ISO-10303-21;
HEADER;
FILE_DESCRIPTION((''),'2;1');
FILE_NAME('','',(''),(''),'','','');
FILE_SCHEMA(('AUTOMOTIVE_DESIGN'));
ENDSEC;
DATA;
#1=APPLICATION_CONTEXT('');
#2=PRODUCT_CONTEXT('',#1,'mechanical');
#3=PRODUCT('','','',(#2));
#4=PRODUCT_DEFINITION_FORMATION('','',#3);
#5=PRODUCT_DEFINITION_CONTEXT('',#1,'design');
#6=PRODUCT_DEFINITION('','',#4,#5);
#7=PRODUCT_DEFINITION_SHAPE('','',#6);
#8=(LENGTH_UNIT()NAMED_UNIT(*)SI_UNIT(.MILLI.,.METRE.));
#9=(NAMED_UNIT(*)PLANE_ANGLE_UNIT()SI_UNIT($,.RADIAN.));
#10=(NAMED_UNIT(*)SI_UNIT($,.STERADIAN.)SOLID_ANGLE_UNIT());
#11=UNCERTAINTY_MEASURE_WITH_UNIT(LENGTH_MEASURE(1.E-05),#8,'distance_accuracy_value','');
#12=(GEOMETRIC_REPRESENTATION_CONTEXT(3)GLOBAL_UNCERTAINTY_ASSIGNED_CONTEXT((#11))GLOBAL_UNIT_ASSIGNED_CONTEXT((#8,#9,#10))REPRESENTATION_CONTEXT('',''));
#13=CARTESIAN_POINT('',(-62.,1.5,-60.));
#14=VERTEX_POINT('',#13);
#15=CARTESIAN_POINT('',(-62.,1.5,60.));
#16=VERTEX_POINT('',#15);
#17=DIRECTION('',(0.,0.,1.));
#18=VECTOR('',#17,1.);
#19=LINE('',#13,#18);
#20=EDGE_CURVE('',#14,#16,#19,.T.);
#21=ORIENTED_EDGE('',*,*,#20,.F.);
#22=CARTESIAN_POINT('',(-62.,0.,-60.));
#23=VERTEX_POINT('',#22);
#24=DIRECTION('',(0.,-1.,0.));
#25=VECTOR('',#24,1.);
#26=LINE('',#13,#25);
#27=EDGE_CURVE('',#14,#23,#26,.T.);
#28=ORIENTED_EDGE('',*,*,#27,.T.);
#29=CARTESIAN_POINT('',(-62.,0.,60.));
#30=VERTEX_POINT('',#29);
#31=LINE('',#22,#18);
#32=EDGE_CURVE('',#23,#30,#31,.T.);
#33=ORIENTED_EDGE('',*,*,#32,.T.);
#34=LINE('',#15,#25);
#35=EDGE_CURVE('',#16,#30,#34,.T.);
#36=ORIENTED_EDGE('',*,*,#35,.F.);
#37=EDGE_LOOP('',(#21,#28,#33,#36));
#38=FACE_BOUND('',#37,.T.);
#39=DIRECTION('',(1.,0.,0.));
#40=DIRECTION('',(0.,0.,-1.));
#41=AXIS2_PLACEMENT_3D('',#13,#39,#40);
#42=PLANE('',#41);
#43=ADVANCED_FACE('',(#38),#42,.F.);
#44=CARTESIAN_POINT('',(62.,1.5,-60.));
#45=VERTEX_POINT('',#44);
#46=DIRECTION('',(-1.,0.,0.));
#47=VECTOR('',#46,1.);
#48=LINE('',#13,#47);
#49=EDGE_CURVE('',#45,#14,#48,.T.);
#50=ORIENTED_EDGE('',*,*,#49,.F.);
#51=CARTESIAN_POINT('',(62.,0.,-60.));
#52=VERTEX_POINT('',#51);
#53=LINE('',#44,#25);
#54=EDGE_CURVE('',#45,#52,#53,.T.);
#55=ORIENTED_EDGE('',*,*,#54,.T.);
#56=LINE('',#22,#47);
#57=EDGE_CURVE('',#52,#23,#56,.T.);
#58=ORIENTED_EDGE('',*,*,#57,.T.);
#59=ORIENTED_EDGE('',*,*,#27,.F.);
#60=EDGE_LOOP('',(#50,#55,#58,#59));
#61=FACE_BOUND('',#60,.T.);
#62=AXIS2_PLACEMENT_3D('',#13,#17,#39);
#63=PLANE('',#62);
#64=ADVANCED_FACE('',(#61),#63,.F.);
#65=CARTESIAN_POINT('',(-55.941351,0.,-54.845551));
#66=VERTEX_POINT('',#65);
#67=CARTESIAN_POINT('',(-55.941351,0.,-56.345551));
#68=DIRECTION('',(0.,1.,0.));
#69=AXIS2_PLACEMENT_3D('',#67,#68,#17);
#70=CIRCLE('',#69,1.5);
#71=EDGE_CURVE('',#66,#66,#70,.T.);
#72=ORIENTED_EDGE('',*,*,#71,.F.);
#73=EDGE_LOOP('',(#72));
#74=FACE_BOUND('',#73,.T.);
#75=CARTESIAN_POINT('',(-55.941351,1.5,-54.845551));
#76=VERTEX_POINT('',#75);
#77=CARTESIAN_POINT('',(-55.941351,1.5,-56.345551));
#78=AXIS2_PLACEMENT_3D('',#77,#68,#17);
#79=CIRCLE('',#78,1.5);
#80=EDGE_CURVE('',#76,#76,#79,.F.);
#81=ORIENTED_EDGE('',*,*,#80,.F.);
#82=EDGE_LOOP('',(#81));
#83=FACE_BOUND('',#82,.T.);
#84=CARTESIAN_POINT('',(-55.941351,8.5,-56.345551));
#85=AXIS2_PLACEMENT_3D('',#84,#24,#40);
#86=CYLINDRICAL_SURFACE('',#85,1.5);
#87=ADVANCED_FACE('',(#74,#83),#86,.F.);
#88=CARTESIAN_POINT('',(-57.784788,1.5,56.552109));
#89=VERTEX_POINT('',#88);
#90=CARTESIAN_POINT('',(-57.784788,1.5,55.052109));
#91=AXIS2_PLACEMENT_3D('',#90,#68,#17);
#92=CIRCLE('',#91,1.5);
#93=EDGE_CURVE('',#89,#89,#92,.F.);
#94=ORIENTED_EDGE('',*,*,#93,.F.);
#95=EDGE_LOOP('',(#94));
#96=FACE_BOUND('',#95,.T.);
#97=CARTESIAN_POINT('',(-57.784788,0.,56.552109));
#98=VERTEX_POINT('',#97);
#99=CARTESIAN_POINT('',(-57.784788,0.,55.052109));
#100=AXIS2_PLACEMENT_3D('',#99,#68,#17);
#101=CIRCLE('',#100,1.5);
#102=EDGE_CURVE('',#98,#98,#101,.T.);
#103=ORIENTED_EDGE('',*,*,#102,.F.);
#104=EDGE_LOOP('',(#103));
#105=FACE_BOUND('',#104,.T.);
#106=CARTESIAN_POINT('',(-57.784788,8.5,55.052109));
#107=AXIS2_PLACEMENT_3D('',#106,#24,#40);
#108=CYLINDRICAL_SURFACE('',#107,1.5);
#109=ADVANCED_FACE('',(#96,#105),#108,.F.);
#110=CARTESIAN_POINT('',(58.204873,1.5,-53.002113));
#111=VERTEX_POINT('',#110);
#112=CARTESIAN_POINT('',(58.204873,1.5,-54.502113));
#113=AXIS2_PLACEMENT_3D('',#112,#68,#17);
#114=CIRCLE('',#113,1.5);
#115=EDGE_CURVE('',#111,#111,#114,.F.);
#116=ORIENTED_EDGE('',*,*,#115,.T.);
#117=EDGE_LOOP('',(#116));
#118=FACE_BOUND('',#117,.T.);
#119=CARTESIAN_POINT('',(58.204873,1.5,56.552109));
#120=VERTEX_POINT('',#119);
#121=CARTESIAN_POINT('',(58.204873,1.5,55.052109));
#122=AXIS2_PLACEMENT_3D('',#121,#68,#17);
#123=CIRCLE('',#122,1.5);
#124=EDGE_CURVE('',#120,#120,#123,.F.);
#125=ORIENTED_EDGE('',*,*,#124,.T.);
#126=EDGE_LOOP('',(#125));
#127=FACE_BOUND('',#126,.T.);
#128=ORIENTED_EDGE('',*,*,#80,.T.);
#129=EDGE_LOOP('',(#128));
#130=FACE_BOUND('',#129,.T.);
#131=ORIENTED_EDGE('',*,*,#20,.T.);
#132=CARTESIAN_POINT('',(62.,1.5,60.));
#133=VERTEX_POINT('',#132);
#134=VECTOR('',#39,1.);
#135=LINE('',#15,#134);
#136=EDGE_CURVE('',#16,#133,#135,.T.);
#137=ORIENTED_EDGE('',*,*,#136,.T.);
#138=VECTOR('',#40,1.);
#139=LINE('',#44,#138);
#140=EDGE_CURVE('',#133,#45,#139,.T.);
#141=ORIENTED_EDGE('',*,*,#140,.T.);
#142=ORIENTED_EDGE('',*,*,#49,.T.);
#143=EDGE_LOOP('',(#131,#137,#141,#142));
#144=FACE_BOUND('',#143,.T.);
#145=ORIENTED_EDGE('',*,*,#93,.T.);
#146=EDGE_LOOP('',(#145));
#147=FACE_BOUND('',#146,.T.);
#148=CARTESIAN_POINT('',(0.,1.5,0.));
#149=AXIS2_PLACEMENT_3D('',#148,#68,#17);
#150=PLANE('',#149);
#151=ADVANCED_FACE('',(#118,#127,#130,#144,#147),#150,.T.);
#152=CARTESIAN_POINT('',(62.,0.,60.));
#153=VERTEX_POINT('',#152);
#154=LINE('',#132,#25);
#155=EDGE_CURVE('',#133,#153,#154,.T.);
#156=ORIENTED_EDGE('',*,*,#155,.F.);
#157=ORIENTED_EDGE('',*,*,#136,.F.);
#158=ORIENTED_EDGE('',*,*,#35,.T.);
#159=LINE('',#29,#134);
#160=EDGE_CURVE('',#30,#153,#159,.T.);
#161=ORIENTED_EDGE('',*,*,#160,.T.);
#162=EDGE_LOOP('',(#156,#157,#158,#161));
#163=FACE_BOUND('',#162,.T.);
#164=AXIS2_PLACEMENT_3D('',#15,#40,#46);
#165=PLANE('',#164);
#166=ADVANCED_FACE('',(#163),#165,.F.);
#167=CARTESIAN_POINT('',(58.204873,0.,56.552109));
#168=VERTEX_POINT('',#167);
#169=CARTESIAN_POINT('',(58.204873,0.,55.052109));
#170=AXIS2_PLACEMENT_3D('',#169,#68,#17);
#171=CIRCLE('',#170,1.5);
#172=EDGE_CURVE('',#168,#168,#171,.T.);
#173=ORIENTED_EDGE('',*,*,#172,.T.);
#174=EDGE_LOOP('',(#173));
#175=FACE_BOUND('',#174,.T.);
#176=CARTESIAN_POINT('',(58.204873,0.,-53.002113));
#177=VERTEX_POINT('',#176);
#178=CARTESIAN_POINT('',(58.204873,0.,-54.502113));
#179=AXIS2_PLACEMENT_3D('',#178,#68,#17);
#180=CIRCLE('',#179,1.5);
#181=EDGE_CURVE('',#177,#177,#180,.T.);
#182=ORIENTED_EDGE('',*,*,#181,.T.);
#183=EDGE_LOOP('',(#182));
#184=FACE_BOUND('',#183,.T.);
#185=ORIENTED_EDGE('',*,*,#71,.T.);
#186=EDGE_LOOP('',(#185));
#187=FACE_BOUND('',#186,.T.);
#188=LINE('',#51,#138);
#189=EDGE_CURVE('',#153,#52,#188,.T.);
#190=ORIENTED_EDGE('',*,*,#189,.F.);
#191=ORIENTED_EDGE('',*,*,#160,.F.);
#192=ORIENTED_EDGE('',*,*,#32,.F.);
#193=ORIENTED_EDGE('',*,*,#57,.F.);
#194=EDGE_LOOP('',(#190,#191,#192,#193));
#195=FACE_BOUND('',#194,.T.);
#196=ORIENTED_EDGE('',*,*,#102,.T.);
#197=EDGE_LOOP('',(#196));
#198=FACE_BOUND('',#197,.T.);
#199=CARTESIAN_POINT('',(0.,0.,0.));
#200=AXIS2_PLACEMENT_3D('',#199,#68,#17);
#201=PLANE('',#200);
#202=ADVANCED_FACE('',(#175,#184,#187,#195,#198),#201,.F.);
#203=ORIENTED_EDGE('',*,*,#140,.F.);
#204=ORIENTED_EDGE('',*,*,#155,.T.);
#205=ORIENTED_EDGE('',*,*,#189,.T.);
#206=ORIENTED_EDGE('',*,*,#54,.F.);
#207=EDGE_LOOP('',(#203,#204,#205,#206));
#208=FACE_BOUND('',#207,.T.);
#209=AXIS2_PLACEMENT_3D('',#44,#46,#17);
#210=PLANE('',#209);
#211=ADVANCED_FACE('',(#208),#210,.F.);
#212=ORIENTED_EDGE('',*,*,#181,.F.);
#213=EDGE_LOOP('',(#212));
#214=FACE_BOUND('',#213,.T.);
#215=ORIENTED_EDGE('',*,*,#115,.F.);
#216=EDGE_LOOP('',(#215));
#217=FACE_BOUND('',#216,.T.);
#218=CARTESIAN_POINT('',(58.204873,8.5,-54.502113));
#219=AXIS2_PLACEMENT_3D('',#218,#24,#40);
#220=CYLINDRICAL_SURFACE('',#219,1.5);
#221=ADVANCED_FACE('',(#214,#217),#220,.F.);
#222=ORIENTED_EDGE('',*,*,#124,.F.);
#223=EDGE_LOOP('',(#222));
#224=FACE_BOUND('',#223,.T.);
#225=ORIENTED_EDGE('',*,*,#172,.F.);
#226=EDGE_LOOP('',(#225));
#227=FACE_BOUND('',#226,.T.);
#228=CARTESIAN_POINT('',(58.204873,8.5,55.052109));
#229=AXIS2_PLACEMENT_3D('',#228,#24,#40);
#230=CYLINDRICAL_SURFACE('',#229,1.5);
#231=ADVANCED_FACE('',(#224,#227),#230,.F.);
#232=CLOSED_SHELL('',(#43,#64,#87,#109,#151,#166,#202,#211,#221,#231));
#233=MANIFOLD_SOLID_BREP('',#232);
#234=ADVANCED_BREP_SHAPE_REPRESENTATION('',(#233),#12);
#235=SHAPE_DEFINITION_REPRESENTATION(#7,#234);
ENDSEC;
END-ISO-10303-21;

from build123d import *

# Parameters (mm, degrees)
SKETCH1_W           = 124
SKETCH1_H           = 120
BOSS_EXTRUDE1_DEPTH = 1.5
SKETCH2_R           = 1.5
CUT_EXTRUDE7_DEPTH  = 8.5


with BuildPart() as part:
    # Sketch1 → Boss-Extrude1 (new body)
    with BuildSketch(Plane(origin=(0, 0, 0), x_dir=(1, 0, 0), z_dir=(0, 1, 0))):
        Rectangle(SKETCH1_W, SKETCH1_H)
    extrude(amount=BOSS_EXTRUDE1_DEPTH)

    # Sketch2 → Cut-Extrude7 (cut)
    with BuildSketch(Plane(origin=(0, 0, 0), x_dir=(1, 0, 0), z_dir=(0, 1, 0))):
        with Locations(Location((-55.941350506, 56.345551016, 0), (0, 0, 270))):
            Circle(SKETCH2_R)
        with Locations(Location((58.204873359, 54.502113065, 0), (0, 0, 270))):
            Circle(SKETCH2_R)
        with Locations(Location((-57.784788457, -55.052109385, 0), (0, 0, 270))):
            Circle(SKETCH2_R)
        with Locations(Location((58.204873359, -55.052109385, 0), (0, 0, 270))):
            Circle(SKETCH2_R)
    extrude(amount=CUT_EXTRUDE7_DEPTH, mode=Mode.SUBTRACT)


solid = part.part
